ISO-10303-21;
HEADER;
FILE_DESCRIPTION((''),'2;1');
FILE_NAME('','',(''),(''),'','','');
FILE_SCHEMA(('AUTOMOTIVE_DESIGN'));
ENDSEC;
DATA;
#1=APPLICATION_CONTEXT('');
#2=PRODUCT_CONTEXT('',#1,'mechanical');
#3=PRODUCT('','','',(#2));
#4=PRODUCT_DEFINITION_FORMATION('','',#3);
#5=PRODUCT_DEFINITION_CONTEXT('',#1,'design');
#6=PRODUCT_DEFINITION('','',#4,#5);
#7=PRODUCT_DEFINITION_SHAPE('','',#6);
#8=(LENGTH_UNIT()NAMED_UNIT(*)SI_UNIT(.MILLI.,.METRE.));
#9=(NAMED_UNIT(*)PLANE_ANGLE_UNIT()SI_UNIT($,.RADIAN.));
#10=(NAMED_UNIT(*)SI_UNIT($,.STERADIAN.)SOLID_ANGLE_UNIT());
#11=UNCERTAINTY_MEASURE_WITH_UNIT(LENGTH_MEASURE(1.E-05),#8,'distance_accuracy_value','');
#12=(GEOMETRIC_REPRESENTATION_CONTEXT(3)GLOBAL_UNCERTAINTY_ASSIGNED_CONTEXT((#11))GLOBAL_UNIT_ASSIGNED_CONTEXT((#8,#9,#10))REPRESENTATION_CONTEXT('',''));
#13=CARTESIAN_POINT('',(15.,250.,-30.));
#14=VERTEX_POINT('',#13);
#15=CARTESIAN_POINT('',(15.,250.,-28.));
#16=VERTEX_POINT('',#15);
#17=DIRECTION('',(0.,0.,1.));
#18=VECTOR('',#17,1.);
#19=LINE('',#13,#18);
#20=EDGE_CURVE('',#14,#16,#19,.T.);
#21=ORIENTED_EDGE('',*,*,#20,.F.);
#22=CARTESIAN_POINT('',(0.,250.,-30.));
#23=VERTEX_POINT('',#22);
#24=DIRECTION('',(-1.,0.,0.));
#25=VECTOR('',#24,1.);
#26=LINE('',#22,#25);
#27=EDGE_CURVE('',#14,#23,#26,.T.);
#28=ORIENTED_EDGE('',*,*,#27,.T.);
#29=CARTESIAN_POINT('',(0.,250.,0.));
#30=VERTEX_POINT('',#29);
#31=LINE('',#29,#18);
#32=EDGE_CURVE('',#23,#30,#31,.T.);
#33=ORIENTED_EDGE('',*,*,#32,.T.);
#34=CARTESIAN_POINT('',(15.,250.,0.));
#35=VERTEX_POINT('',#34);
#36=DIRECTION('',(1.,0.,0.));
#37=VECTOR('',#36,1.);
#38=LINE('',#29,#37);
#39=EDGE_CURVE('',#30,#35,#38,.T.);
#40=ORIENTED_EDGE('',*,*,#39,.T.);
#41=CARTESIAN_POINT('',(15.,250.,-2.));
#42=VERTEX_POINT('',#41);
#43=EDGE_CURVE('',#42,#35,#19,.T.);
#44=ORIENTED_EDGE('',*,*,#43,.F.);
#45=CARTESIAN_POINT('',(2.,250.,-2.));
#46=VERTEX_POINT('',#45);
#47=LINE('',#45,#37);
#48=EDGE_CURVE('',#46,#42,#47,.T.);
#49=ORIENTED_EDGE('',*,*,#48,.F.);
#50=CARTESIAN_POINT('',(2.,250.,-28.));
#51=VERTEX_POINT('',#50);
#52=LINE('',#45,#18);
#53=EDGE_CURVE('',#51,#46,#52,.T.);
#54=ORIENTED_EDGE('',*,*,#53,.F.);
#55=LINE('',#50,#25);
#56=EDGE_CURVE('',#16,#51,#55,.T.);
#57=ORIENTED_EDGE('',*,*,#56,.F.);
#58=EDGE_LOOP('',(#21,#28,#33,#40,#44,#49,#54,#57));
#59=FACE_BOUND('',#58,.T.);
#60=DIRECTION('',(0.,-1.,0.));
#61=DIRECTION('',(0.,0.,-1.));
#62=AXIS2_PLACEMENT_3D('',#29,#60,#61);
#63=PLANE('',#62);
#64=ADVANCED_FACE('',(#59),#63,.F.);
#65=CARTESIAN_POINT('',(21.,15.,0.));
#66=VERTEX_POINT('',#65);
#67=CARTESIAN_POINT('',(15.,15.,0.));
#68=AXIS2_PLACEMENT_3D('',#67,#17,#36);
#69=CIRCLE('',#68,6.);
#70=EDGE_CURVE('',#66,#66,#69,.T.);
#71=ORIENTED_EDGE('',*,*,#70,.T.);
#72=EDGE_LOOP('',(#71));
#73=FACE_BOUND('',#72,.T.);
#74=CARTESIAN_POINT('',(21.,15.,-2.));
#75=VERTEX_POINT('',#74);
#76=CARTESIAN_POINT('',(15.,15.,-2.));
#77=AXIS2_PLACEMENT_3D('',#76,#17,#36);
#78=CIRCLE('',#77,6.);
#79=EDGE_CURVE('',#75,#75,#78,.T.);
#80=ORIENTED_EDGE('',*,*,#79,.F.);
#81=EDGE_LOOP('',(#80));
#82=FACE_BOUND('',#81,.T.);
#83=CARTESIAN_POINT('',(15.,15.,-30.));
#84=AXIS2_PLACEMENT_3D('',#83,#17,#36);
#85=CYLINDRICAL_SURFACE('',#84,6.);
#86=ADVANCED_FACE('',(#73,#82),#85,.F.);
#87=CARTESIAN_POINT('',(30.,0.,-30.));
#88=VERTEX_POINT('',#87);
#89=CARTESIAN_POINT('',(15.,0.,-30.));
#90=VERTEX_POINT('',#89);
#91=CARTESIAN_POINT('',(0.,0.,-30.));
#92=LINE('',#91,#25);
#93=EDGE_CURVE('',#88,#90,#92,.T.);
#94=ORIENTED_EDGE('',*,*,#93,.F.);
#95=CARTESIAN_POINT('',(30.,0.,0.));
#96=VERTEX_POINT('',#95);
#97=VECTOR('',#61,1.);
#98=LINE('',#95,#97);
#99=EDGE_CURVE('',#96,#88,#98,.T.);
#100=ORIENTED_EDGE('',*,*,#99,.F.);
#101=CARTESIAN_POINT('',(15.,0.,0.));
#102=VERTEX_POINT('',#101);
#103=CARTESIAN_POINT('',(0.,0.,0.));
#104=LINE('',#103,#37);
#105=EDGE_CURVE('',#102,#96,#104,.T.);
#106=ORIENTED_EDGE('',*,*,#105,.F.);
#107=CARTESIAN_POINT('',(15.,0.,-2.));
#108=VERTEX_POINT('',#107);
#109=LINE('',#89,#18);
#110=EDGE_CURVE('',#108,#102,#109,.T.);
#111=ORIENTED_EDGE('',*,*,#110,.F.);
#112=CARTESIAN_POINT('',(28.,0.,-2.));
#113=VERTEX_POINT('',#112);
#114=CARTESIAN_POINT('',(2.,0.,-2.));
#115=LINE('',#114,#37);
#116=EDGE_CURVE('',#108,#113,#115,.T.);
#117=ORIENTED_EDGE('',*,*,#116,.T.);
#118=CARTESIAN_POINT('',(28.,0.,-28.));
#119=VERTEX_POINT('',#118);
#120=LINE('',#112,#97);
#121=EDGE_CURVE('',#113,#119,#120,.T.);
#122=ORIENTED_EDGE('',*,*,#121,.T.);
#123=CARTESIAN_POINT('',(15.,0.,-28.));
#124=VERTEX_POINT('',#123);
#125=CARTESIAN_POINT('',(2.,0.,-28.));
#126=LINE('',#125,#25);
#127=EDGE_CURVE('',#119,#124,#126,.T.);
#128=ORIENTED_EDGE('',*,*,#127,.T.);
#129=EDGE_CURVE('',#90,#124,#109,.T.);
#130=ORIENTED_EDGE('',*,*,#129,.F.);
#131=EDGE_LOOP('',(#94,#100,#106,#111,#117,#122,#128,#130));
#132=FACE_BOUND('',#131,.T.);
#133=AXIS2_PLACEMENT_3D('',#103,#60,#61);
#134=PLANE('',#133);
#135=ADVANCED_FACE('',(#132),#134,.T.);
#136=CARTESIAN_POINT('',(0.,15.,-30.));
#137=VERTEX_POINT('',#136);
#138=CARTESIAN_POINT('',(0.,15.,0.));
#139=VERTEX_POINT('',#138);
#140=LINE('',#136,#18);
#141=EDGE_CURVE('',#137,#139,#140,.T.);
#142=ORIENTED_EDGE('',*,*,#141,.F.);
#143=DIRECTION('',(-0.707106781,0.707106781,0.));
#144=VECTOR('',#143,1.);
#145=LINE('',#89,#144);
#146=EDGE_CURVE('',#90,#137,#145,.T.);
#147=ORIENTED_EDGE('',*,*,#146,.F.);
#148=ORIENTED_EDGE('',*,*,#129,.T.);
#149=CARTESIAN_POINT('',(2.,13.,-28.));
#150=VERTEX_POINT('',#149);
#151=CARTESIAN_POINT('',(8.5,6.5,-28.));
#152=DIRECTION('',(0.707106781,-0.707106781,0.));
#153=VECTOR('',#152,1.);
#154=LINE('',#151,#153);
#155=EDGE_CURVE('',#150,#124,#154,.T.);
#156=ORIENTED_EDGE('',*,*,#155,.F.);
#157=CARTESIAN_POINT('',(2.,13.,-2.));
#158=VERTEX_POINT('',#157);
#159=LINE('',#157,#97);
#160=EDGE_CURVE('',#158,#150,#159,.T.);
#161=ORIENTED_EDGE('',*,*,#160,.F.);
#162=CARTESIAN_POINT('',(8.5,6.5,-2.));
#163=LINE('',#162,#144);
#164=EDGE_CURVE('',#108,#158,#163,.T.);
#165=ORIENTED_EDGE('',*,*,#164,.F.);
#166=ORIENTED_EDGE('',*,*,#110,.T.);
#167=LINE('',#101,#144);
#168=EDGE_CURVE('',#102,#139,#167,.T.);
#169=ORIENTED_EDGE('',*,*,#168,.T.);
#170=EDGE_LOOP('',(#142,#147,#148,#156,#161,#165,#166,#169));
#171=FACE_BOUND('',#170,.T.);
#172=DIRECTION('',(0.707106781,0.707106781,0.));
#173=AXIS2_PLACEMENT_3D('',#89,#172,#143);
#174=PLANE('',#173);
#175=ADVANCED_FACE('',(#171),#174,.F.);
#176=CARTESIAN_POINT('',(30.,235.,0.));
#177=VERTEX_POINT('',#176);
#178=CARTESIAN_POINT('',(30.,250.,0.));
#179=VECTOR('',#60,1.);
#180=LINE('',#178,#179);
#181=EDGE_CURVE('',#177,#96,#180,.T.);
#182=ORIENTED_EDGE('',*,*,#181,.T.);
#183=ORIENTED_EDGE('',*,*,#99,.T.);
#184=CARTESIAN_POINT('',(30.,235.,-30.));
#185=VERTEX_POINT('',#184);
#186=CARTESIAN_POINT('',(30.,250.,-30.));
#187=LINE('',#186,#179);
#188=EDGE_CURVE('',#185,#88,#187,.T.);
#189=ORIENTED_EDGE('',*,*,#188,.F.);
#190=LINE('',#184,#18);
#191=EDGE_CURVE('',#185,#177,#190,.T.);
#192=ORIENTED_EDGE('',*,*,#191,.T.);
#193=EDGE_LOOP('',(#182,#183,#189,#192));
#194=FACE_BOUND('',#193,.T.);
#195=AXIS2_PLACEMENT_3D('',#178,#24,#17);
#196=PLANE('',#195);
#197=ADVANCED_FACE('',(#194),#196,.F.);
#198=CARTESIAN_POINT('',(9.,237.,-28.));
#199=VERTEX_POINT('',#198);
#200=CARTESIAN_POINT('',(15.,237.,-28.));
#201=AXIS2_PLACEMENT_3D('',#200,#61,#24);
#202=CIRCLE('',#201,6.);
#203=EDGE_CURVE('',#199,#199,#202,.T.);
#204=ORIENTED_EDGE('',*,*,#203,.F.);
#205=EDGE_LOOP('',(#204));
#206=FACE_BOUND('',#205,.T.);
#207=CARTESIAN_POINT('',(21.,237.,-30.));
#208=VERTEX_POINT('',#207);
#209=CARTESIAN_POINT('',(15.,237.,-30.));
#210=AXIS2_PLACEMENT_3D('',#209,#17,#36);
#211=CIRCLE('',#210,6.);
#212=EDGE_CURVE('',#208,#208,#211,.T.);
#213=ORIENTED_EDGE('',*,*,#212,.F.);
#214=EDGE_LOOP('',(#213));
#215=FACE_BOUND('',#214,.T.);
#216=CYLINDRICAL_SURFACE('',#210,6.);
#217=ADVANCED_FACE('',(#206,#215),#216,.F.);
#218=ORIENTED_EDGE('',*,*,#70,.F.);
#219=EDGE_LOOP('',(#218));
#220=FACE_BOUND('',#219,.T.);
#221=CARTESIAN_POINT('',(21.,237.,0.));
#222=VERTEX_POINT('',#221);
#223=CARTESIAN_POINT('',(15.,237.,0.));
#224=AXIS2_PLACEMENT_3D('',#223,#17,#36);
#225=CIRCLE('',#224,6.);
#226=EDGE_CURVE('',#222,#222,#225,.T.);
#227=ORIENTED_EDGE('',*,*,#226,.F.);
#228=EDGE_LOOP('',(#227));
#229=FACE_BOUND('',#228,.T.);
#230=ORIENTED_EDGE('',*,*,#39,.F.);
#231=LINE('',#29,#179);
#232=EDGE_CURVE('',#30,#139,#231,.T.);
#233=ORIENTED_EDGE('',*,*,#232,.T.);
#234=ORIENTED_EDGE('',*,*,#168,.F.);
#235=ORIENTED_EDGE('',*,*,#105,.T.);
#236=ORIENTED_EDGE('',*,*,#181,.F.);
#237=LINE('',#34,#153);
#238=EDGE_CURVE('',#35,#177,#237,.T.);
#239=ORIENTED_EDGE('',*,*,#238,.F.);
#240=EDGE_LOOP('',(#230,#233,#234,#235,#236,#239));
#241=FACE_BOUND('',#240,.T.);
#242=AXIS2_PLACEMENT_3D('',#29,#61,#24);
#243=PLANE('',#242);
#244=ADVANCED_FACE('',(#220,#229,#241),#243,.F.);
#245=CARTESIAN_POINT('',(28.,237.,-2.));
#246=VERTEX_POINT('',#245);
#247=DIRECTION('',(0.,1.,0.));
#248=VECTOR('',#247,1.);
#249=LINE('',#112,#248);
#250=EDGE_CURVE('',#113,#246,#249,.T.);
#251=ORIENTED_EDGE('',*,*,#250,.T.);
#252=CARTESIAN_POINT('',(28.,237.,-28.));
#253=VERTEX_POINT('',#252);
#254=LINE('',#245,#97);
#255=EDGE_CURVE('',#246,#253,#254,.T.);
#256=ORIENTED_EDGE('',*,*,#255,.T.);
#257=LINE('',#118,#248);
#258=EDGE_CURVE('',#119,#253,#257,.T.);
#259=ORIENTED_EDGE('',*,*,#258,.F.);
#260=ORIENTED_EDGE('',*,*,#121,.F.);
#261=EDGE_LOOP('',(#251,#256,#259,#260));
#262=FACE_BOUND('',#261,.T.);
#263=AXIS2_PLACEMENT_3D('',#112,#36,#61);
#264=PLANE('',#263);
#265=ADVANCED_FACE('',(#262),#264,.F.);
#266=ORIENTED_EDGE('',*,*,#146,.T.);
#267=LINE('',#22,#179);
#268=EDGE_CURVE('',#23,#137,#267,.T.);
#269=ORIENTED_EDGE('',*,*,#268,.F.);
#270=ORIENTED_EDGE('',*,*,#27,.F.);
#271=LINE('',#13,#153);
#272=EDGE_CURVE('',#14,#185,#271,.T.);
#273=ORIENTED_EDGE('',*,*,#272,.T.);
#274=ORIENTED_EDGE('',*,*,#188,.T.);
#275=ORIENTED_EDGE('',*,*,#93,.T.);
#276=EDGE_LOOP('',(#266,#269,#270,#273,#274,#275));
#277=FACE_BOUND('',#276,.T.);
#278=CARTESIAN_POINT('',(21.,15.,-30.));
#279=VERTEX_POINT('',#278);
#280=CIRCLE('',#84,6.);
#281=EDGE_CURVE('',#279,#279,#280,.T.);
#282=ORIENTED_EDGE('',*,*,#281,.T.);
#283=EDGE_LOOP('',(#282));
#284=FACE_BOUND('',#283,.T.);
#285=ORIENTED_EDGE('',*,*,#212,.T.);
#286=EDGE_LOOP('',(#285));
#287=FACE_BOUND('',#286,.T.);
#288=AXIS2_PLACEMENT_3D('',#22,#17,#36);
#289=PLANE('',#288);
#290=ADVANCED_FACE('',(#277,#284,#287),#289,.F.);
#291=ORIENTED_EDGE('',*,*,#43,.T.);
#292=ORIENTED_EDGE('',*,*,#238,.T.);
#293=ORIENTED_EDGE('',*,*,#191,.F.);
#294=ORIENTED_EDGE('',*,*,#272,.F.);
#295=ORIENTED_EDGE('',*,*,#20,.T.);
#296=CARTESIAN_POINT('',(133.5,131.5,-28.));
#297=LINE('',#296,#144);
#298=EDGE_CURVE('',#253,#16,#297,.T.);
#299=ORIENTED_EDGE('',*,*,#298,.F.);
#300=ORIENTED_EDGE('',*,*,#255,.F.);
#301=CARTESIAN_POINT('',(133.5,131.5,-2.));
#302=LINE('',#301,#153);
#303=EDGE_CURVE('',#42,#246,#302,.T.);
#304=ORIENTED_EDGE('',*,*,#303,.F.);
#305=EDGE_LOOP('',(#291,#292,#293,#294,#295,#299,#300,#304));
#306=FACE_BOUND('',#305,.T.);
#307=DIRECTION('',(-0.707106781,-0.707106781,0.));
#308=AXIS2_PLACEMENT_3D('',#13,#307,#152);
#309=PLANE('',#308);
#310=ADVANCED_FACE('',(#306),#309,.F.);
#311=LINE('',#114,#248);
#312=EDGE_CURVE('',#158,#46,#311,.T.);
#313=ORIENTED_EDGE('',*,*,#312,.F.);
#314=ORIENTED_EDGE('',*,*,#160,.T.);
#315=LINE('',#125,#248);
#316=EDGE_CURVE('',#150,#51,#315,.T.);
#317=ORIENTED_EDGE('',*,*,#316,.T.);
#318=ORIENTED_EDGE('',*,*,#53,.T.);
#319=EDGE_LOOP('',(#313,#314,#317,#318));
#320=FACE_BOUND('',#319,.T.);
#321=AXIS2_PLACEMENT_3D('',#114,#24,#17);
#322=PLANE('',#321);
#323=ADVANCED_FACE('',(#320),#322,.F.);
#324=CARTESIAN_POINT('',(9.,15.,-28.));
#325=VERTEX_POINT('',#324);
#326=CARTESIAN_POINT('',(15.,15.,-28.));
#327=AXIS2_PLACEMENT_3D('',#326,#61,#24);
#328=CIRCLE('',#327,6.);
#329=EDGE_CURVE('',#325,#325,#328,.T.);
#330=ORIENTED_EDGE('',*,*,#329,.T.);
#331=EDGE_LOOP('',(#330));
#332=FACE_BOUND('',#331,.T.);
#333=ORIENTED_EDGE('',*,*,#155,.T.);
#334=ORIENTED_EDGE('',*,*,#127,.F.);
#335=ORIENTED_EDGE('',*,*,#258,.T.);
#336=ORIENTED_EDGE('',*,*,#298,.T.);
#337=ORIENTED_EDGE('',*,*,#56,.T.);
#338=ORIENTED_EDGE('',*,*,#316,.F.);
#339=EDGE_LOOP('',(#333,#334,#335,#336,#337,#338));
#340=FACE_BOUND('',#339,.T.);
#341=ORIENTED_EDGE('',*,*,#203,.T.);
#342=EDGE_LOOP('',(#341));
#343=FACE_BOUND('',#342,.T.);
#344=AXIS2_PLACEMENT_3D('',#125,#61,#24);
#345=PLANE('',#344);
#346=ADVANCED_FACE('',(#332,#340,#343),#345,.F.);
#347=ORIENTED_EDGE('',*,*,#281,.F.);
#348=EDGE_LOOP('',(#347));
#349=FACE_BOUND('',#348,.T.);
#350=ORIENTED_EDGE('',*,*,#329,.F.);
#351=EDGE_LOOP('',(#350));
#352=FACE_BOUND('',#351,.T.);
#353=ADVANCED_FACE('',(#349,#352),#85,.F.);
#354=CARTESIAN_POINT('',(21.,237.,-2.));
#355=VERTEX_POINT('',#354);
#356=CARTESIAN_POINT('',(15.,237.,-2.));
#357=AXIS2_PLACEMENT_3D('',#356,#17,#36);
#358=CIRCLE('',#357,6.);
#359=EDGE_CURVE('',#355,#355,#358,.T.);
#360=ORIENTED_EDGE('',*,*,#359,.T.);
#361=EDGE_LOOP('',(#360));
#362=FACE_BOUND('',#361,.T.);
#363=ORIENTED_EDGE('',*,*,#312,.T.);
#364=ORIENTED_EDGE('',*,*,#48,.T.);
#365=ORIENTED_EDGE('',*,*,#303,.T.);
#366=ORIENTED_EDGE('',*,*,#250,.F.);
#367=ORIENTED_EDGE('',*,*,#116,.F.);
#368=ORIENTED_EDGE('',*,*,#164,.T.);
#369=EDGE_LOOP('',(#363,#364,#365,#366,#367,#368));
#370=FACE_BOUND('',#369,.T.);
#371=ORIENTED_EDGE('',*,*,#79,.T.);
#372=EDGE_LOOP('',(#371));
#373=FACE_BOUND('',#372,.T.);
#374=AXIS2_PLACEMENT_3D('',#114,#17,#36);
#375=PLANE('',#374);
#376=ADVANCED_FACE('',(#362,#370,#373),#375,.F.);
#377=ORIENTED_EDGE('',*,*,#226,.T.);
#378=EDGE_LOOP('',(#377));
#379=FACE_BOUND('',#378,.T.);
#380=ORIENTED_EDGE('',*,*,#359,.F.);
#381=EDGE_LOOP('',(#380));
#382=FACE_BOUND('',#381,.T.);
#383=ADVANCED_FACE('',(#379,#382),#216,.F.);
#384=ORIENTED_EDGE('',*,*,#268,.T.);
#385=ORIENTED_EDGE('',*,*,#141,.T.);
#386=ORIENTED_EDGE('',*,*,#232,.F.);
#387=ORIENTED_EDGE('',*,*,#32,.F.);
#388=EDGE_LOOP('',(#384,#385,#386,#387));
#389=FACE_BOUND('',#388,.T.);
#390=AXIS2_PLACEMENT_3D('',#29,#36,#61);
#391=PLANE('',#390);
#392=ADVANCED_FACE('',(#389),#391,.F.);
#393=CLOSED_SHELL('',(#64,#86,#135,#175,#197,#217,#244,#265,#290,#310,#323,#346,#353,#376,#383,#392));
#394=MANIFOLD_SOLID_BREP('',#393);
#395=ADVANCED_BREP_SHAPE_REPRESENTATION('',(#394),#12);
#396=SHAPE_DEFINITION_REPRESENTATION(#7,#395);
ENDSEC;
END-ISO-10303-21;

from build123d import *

# Parameters (mm, degrees)
SKETCH_1_W          = 30
SKETCH_1_H          = 30
EXTRUDE_1_DEPTH     = 250
SKETCH_2_W          = 26
SKETCH_2_H          = 26
CUT_EXTRUDE_1_DEPTH = 254.574446662
SKETCH_3_R          = 6
CUT_EXTRUDE_2_DEPTH = 254.574446662
SKETCH_6_R          = 6
CUT_EXTRUDE_4_DEPTH = 254.574446662
CUT_EXTRUDE_5_DEPTH = 254.574446662
CUT_EXTRUDE_6_DEPTH = 254.574446662


with BuildPart() as part:
    # Эскиз1 → Бобышка-Вытянуть1 (new body)
    with BuildSketch(Plane(origin=(0, 0, 0), x_dir=(1, 0, 0), z_dir=(0, 1, 0))):
        with Locations((15, 15)):
            Rectangle(SKETCH_1_W, SKETCH_1_H)
    extrude(amount=EXTRUDE_1_DEPTH)

    # Эскиз2 → Вырез-Вытянуть1 (cut, through all)
    with BuildSketch(Plane(origin=(0, 250, 0), x_dir=(1, 0, 0), z_dir=(0, 1, 0))):
        with Locations((15, 15)):
            Rectangle(SKETCH_2_W, SKETCH_2_H)
    extrude(amount=-CUT_EXTRUDE_1_DEPTH, mode=Mode.SUBTRACT)

    # Эскиз3 → Вырез-Вытянуть2 (cut, through all)
    with BuildSketch(Plane.XY):
        with Locations((15, 15)):
            Circle(SKETCH_3_R)
    extrude(amount=-CUT_EXTRUDE_2_DEPTH, mode=Mode.SUBTRACT)

    # Эскиз6 → Вырез-Вытянуть4 (cut, through all)
    with BuildSketch(Plane.XY):
        with Locations((15, 237)):
            Circle(SKETCH_6_R)
    extrude(amount=-CUT_EXTRUDE_4_DEPTH, mode=Mode.SUBTRACT)

    # Эскиз8 → Вырез-Вытянуть5 (cut, through all)
    with BuildSketch(Plane.XY):
        Polygon((15, 250), (30, 235), (30, 250), align=None)
    extrude(amount=-CUT_EXTRUDE_5_DEPTH, mode=Mode.SUBTRACT)

    # Эскиз9 → Вырез-Вытянуть6 (cut, through all)
    with BuildSketch(Plane.XY):
        Polygon((15, 0), (0, 15), (0, 0), align=None)
    extrude(amount=-CUT_EXTRUDE_6_DEPTH, mode=Mode.SUBTRACT)


solid = part.part
